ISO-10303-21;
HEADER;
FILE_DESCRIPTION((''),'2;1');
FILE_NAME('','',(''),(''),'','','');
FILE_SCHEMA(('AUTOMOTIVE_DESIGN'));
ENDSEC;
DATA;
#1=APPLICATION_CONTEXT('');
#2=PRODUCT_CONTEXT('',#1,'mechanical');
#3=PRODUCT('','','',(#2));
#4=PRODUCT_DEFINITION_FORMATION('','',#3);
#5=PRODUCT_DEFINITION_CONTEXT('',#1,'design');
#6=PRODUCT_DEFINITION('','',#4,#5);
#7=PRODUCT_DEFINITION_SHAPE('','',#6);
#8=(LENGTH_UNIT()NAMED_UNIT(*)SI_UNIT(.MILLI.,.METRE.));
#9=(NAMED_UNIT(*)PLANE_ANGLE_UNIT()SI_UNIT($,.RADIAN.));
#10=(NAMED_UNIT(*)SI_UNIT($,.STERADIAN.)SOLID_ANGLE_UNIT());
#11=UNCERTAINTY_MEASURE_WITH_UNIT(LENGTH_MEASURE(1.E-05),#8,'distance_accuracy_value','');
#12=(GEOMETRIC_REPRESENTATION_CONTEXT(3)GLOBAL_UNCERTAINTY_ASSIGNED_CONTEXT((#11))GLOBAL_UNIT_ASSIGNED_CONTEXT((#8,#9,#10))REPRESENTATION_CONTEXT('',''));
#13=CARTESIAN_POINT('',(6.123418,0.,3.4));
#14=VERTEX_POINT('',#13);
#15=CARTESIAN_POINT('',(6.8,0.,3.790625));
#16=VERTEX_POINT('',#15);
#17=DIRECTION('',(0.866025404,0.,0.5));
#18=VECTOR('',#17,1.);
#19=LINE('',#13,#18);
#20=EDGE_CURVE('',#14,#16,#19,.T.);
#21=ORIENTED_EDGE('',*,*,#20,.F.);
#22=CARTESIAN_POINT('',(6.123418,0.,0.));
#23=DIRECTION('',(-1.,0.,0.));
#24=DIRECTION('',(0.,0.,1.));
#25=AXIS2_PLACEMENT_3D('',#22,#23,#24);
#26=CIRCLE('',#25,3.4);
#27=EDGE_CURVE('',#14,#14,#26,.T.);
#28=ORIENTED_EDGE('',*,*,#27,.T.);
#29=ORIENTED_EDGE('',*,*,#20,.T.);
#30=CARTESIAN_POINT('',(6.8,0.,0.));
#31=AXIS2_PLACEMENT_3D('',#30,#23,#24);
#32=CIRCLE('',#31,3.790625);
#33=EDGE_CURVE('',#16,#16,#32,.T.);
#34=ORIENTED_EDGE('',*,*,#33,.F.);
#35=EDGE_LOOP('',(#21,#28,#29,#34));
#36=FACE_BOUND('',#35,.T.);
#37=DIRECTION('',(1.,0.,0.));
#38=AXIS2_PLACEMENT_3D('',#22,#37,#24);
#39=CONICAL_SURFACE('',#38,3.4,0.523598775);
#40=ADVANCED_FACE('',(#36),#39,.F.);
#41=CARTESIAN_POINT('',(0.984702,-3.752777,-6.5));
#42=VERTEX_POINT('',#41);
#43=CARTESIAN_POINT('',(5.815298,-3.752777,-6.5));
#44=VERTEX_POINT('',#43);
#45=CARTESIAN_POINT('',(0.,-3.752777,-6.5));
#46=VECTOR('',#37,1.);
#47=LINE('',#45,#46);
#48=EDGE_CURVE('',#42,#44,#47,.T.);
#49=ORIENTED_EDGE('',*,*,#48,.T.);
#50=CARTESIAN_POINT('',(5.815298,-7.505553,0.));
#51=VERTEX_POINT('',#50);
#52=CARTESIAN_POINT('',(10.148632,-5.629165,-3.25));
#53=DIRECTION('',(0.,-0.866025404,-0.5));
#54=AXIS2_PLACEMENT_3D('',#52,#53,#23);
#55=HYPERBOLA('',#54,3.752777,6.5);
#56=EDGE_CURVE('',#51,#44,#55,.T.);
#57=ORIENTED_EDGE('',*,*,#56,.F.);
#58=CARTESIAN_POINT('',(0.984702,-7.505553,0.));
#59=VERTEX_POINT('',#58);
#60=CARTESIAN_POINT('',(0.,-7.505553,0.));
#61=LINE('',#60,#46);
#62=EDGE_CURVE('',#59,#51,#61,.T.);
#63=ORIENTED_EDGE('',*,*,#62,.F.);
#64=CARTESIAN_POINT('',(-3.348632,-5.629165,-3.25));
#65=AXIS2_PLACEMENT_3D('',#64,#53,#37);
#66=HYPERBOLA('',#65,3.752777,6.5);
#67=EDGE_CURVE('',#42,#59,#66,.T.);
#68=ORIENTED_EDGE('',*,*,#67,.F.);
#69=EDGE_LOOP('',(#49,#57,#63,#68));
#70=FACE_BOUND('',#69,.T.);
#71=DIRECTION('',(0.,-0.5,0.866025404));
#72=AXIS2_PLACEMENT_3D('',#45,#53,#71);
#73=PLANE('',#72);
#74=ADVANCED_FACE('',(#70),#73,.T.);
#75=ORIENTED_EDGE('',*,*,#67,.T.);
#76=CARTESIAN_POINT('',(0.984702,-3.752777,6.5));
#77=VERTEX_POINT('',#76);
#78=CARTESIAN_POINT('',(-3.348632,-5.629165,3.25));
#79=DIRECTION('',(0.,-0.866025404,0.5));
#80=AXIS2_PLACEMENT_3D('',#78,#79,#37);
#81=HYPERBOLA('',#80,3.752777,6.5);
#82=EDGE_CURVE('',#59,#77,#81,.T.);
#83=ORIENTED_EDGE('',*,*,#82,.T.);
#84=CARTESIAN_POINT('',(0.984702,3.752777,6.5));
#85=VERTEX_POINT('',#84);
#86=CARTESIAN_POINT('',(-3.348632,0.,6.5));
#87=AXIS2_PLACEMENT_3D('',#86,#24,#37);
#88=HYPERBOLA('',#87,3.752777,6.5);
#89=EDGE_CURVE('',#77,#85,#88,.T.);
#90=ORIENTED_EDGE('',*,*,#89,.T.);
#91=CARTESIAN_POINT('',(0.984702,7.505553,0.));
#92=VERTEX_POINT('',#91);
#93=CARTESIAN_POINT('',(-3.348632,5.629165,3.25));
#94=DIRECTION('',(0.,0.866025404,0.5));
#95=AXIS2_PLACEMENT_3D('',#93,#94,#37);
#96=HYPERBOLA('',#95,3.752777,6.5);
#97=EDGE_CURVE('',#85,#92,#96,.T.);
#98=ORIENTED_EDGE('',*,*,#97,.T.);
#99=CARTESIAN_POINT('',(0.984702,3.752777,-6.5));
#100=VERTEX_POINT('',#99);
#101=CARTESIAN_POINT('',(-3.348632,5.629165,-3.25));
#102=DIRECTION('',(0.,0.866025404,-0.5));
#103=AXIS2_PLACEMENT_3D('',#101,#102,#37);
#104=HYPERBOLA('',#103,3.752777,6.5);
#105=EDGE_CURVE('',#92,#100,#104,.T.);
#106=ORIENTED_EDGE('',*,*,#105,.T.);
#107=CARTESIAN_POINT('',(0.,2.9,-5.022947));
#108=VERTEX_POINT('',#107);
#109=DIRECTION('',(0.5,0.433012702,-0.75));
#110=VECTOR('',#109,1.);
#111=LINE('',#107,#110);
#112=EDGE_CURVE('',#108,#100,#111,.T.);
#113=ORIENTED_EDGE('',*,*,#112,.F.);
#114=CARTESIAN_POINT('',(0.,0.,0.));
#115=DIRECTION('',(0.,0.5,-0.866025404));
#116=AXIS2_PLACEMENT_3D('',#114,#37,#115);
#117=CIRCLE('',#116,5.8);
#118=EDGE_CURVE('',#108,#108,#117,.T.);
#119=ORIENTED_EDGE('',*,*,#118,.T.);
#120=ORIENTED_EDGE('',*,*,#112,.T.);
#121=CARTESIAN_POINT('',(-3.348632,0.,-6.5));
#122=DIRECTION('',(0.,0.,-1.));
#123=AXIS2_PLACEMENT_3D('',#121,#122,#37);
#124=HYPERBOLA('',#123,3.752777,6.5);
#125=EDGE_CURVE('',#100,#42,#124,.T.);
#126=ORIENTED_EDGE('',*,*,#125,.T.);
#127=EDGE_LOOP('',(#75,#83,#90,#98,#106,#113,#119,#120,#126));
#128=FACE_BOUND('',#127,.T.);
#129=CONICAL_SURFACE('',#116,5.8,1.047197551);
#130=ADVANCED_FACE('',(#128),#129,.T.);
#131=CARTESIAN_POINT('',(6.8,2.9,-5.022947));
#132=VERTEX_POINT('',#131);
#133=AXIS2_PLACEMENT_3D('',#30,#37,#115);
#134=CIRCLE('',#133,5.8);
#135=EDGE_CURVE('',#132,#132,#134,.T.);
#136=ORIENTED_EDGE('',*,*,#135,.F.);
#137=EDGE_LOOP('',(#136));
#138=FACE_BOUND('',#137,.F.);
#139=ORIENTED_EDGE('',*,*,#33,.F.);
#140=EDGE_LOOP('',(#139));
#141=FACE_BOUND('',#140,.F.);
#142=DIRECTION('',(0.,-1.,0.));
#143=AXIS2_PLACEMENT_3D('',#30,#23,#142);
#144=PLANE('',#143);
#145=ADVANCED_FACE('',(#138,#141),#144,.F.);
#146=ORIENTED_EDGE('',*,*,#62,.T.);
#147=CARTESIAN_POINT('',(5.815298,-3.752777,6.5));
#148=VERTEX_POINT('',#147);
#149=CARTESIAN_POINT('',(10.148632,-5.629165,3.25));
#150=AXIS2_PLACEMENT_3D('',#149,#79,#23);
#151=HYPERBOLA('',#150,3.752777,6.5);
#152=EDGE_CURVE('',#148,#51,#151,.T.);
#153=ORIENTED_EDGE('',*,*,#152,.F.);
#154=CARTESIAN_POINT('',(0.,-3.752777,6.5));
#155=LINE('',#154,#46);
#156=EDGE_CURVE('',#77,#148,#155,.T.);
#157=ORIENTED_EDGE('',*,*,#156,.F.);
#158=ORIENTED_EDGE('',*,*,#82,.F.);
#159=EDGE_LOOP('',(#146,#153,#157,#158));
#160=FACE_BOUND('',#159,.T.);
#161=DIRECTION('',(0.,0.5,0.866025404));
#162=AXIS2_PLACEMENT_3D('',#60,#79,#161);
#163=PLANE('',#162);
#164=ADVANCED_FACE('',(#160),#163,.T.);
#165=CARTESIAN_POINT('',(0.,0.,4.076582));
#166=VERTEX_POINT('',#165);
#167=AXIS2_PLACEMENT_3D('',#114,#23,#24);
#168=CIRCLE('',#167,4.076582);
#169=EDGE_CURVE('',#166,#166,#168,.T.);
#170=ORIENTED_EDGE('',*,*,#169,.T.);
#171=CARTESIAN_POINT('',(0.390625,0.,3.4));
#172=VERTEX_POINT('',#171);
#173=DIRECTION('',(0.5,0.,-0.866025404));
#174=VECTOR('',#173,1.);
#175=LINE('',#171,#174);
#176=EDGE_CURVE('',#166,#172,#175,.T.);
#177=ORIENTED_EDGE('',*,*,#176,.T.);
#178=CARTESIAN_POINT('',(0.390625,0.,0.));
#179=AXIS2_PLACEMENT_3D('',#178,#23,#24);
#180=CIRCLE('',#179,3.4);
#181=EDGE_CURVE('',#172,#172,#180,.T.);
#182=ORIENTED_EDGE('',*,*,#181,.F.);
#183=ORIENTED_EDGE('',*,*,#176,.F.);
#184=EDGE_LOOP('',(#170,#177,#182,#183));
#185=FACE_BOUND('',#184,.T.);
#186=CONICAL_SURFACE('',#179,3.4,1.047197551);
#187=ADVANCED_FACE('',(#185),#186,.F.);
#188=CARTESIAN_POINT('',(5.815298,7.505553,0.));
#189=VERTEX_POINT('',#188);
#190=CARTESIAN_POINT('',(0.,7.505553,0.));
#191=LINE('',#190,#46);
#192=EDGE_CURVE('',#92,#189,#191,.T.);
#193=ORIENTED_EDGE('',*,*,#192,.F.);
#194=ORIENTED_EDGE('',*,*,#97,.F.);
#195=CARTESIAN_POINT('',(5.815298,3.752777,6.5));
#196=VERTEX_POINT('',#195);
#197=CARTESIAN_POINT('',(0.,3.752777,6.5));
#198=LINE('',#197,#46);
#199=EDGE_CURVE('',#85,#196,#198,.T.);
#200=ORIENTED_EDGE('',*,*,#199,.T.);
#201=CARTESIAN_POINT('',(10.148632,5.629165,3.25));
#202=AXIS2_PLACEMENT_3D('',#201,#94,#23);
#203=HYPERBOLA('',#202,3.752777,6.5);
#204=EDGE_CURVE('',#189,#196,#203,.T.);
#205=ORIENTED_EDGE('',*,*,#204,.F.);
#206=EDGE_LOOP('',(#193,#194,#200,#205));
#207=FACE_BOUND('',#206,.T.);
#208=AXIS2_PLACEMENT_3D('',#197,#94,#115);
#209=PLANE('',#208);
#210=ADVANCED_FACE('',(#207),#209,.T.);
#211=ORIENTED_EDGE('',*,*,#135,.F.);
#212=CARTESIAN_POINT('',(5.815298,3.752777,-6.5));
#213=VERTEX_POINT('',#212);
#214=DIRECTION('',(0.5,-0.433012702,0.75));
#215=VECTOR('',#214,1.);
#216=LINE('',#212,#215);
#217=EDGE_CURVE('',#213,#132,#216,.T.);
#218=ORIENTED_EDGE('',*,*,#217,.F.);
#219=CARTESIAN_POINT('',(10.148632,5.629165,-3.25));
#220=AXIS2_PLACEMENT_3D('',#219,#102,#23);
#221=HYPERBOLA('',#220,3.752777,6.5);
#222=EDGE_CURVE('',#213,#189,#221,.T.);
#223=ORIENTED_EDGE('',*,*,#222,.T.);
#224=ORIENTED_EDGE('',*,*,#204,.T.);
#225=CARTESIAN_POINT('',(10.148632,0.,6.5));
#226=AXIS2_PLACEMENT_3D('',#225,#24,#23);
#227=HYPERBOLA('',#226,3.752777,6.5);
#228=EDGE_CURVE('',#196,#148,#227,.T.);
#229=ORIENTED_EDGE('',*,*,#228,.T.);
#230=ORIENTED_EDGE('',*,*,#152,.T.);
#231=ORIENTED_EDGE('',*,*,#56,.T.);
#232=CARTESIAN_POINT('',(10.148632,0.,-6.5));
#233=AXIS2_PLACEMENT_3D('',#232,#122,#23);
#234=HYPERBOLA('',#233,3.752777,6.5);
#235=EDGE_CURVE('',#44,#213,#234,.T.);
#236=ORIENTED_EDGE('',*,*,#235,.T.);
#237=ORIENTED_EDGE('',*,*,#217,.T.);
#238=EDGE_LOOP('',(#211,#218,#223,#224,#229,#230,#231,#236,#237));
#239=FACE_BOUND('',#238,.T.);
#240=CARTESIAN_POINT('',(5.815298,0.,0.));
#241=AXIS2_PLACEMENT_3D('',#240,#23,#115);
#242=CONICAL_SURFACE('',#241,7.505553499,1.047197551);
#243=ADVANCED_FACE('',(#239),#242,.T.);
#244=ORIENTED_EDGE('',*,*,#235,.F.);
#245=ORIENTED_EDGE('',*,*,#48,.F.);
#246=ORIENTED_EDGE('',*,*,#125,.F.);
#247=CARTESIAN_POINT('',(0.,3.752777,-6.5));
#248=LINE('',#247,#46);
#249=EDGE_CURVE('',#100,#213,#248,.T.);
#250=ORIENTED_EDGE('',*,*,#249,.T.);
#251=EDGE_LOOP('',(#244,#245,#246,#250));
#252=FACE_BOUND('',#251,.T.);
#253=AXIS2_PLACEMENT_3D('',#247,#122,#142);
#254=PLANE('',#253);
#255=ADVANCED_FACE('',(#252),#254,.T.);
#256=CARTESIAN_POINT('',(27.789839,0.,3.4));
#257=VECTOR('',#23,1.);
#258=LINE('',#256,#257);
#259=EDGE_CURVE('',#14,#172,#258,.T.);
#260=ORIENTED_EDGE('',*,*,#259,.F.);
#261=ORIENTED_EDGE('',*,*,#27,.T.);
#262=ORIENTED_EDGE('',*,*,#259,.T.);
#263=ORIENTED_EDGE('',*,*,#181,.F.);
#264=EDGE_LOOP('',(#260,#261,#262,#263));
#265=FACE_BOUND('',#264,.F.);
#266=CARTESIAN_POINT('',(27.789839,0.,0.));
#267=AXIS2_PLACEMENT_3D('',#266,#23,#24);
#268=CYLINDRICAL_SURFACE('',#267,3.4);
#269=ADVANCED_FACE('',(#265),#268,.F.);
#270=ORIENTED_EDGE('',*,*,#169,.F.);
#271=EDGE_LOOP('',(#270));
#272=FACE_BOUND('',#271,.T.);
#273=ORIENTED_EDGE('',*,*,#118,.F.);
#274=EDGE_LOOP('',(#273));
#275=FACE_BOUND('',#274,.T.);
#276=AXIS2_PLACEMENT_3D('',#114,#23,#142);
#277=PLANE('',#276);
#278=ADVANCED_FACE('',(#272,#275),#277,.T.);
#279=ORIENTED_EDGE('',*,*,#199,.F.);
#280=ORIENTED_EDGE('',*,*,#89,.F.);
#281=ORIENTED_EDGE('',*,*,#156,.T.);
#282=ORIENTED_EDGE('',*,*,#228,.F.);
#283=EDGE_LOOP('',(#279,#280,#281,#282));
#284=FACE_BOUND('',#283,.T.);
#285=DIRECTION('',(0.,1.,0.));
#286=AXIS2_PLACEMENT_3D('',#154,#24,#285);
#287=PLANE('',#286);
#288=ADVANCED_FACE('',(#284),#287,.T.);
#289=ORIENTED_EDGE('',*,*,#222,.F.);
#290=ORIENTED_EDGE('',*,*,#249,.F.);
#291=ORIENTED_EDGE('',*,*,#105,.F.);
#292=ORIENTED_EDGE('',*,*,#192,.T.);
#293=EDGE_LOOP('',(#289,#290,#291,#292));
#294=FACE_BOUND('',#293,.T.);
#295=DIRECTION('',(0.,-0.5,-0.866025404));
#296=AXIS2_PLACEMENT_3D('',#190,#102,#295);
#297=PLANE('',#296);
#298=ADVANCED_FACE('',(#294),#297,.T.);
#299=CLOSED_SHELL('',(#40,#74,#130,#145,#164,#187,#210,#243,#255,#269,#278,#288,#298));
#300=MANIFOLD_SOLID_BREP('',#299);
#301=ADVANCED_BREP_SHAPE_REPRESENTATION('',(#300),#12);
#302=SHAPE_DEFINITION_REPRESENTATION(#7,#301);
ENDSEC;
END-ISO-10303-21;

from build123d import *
from OCP.BRepFilletAPI import BRepFilletAPI_MakeChamfer

# Parameters (mm, degrees)
BODY_DEPTH     = 6.8
THREAD_D       = 6.8
CHAMFER3_SIZE  = 0.676582347
CHAMFER3_SIZE2 = 0.390625


with BuildPart() as part:
    # Sketch1 → Body (new body)
    with BuildSketch(Plane.YZ):
        Polygon((-7.505553499, 0), (-3.75277675, 6.5), (3.75277675, 6.5), (7.505553499, 0), (3.75277675, -6.5), (-3.75277675, -6.5), align=None)
    extrude(amount=BODY_DEPTH)

    # Sketch2 → Chamfer1 (revolve, cut)
    with BuildSketch(Plane.XY, mode=Mode.PRIVATE) as chamfer1_sk:
        Polygon((0, 5.8), (0.984701772, 7.505553499), (0, 7.505553499), align=None)
        Polygon((6.8, 5.8), (6.8, 7.505553499), (5.815298228, 7.505553499), align=None)
    revolve(chamfer1_sk.sketch.rotate(Axis((-1.36, 0, 0), (1, 0, 0)), 299.999999999), axis=Axis((-1.36, 0, 0), (1, 0, 0)), mode=Mode.SUBTRACT)

    # Thread (through all)
    with Locations(Plane(origin=(6.8, 0, 0), x_dir=(0, 0, -1), z_dir=(1, 0, 0))):
        with Locations((0, 0)):
            Hole(THREAD_D / 2)

    # Chamfer3: one chamfer whose edges measure the first distance from different faces: ONE call of the kernel's chamfer builder (chamfer() names one face for all edges)
    chamfer3_edges_1 = [part.edges().sort_by_distance(p)[0] for p in [
        (6.8, 0, -3.4),
    ]]
    chamfer3_side_1 = [part.faces().sort_by_distance(p)[0] for p in [
        (3.4, 0, -3.4),
    ]]
    chamfer3_edges_2 = [part.edges().sort_by_distance(p)[0] for p in [
        (0, 0, -3.4),
    ]]
    chamfer3_side_2 = [part.faces().sort_by_distance(p)[0] for p in [
        (0, -2.817975613, 4.880876937),
    ]]
    chamfer3 = BRepFilletAPI_MakeChamfer(part.part.solid().wrapped)
    for e in chamfer3_edges_1:
        chamfer3.Add(CHAMFER3_SIZE, CHAMFER3_SIZE2, e.wrapped, chamfer3_side_1[0].wrapped)  # the first distance lies on this face
    for e in chamfer3_edges_2:
        chamfer3.Add(CHAMFER3_SIZE, CHAMFER3_SIZE2, e.wrapped, chamfer3_side_2[0].wrapped)  # the first distance lies on this face
    add(Compound.cast(chamfer3.Shape()), mode=Mode.REPLACE)


solid = part.part
